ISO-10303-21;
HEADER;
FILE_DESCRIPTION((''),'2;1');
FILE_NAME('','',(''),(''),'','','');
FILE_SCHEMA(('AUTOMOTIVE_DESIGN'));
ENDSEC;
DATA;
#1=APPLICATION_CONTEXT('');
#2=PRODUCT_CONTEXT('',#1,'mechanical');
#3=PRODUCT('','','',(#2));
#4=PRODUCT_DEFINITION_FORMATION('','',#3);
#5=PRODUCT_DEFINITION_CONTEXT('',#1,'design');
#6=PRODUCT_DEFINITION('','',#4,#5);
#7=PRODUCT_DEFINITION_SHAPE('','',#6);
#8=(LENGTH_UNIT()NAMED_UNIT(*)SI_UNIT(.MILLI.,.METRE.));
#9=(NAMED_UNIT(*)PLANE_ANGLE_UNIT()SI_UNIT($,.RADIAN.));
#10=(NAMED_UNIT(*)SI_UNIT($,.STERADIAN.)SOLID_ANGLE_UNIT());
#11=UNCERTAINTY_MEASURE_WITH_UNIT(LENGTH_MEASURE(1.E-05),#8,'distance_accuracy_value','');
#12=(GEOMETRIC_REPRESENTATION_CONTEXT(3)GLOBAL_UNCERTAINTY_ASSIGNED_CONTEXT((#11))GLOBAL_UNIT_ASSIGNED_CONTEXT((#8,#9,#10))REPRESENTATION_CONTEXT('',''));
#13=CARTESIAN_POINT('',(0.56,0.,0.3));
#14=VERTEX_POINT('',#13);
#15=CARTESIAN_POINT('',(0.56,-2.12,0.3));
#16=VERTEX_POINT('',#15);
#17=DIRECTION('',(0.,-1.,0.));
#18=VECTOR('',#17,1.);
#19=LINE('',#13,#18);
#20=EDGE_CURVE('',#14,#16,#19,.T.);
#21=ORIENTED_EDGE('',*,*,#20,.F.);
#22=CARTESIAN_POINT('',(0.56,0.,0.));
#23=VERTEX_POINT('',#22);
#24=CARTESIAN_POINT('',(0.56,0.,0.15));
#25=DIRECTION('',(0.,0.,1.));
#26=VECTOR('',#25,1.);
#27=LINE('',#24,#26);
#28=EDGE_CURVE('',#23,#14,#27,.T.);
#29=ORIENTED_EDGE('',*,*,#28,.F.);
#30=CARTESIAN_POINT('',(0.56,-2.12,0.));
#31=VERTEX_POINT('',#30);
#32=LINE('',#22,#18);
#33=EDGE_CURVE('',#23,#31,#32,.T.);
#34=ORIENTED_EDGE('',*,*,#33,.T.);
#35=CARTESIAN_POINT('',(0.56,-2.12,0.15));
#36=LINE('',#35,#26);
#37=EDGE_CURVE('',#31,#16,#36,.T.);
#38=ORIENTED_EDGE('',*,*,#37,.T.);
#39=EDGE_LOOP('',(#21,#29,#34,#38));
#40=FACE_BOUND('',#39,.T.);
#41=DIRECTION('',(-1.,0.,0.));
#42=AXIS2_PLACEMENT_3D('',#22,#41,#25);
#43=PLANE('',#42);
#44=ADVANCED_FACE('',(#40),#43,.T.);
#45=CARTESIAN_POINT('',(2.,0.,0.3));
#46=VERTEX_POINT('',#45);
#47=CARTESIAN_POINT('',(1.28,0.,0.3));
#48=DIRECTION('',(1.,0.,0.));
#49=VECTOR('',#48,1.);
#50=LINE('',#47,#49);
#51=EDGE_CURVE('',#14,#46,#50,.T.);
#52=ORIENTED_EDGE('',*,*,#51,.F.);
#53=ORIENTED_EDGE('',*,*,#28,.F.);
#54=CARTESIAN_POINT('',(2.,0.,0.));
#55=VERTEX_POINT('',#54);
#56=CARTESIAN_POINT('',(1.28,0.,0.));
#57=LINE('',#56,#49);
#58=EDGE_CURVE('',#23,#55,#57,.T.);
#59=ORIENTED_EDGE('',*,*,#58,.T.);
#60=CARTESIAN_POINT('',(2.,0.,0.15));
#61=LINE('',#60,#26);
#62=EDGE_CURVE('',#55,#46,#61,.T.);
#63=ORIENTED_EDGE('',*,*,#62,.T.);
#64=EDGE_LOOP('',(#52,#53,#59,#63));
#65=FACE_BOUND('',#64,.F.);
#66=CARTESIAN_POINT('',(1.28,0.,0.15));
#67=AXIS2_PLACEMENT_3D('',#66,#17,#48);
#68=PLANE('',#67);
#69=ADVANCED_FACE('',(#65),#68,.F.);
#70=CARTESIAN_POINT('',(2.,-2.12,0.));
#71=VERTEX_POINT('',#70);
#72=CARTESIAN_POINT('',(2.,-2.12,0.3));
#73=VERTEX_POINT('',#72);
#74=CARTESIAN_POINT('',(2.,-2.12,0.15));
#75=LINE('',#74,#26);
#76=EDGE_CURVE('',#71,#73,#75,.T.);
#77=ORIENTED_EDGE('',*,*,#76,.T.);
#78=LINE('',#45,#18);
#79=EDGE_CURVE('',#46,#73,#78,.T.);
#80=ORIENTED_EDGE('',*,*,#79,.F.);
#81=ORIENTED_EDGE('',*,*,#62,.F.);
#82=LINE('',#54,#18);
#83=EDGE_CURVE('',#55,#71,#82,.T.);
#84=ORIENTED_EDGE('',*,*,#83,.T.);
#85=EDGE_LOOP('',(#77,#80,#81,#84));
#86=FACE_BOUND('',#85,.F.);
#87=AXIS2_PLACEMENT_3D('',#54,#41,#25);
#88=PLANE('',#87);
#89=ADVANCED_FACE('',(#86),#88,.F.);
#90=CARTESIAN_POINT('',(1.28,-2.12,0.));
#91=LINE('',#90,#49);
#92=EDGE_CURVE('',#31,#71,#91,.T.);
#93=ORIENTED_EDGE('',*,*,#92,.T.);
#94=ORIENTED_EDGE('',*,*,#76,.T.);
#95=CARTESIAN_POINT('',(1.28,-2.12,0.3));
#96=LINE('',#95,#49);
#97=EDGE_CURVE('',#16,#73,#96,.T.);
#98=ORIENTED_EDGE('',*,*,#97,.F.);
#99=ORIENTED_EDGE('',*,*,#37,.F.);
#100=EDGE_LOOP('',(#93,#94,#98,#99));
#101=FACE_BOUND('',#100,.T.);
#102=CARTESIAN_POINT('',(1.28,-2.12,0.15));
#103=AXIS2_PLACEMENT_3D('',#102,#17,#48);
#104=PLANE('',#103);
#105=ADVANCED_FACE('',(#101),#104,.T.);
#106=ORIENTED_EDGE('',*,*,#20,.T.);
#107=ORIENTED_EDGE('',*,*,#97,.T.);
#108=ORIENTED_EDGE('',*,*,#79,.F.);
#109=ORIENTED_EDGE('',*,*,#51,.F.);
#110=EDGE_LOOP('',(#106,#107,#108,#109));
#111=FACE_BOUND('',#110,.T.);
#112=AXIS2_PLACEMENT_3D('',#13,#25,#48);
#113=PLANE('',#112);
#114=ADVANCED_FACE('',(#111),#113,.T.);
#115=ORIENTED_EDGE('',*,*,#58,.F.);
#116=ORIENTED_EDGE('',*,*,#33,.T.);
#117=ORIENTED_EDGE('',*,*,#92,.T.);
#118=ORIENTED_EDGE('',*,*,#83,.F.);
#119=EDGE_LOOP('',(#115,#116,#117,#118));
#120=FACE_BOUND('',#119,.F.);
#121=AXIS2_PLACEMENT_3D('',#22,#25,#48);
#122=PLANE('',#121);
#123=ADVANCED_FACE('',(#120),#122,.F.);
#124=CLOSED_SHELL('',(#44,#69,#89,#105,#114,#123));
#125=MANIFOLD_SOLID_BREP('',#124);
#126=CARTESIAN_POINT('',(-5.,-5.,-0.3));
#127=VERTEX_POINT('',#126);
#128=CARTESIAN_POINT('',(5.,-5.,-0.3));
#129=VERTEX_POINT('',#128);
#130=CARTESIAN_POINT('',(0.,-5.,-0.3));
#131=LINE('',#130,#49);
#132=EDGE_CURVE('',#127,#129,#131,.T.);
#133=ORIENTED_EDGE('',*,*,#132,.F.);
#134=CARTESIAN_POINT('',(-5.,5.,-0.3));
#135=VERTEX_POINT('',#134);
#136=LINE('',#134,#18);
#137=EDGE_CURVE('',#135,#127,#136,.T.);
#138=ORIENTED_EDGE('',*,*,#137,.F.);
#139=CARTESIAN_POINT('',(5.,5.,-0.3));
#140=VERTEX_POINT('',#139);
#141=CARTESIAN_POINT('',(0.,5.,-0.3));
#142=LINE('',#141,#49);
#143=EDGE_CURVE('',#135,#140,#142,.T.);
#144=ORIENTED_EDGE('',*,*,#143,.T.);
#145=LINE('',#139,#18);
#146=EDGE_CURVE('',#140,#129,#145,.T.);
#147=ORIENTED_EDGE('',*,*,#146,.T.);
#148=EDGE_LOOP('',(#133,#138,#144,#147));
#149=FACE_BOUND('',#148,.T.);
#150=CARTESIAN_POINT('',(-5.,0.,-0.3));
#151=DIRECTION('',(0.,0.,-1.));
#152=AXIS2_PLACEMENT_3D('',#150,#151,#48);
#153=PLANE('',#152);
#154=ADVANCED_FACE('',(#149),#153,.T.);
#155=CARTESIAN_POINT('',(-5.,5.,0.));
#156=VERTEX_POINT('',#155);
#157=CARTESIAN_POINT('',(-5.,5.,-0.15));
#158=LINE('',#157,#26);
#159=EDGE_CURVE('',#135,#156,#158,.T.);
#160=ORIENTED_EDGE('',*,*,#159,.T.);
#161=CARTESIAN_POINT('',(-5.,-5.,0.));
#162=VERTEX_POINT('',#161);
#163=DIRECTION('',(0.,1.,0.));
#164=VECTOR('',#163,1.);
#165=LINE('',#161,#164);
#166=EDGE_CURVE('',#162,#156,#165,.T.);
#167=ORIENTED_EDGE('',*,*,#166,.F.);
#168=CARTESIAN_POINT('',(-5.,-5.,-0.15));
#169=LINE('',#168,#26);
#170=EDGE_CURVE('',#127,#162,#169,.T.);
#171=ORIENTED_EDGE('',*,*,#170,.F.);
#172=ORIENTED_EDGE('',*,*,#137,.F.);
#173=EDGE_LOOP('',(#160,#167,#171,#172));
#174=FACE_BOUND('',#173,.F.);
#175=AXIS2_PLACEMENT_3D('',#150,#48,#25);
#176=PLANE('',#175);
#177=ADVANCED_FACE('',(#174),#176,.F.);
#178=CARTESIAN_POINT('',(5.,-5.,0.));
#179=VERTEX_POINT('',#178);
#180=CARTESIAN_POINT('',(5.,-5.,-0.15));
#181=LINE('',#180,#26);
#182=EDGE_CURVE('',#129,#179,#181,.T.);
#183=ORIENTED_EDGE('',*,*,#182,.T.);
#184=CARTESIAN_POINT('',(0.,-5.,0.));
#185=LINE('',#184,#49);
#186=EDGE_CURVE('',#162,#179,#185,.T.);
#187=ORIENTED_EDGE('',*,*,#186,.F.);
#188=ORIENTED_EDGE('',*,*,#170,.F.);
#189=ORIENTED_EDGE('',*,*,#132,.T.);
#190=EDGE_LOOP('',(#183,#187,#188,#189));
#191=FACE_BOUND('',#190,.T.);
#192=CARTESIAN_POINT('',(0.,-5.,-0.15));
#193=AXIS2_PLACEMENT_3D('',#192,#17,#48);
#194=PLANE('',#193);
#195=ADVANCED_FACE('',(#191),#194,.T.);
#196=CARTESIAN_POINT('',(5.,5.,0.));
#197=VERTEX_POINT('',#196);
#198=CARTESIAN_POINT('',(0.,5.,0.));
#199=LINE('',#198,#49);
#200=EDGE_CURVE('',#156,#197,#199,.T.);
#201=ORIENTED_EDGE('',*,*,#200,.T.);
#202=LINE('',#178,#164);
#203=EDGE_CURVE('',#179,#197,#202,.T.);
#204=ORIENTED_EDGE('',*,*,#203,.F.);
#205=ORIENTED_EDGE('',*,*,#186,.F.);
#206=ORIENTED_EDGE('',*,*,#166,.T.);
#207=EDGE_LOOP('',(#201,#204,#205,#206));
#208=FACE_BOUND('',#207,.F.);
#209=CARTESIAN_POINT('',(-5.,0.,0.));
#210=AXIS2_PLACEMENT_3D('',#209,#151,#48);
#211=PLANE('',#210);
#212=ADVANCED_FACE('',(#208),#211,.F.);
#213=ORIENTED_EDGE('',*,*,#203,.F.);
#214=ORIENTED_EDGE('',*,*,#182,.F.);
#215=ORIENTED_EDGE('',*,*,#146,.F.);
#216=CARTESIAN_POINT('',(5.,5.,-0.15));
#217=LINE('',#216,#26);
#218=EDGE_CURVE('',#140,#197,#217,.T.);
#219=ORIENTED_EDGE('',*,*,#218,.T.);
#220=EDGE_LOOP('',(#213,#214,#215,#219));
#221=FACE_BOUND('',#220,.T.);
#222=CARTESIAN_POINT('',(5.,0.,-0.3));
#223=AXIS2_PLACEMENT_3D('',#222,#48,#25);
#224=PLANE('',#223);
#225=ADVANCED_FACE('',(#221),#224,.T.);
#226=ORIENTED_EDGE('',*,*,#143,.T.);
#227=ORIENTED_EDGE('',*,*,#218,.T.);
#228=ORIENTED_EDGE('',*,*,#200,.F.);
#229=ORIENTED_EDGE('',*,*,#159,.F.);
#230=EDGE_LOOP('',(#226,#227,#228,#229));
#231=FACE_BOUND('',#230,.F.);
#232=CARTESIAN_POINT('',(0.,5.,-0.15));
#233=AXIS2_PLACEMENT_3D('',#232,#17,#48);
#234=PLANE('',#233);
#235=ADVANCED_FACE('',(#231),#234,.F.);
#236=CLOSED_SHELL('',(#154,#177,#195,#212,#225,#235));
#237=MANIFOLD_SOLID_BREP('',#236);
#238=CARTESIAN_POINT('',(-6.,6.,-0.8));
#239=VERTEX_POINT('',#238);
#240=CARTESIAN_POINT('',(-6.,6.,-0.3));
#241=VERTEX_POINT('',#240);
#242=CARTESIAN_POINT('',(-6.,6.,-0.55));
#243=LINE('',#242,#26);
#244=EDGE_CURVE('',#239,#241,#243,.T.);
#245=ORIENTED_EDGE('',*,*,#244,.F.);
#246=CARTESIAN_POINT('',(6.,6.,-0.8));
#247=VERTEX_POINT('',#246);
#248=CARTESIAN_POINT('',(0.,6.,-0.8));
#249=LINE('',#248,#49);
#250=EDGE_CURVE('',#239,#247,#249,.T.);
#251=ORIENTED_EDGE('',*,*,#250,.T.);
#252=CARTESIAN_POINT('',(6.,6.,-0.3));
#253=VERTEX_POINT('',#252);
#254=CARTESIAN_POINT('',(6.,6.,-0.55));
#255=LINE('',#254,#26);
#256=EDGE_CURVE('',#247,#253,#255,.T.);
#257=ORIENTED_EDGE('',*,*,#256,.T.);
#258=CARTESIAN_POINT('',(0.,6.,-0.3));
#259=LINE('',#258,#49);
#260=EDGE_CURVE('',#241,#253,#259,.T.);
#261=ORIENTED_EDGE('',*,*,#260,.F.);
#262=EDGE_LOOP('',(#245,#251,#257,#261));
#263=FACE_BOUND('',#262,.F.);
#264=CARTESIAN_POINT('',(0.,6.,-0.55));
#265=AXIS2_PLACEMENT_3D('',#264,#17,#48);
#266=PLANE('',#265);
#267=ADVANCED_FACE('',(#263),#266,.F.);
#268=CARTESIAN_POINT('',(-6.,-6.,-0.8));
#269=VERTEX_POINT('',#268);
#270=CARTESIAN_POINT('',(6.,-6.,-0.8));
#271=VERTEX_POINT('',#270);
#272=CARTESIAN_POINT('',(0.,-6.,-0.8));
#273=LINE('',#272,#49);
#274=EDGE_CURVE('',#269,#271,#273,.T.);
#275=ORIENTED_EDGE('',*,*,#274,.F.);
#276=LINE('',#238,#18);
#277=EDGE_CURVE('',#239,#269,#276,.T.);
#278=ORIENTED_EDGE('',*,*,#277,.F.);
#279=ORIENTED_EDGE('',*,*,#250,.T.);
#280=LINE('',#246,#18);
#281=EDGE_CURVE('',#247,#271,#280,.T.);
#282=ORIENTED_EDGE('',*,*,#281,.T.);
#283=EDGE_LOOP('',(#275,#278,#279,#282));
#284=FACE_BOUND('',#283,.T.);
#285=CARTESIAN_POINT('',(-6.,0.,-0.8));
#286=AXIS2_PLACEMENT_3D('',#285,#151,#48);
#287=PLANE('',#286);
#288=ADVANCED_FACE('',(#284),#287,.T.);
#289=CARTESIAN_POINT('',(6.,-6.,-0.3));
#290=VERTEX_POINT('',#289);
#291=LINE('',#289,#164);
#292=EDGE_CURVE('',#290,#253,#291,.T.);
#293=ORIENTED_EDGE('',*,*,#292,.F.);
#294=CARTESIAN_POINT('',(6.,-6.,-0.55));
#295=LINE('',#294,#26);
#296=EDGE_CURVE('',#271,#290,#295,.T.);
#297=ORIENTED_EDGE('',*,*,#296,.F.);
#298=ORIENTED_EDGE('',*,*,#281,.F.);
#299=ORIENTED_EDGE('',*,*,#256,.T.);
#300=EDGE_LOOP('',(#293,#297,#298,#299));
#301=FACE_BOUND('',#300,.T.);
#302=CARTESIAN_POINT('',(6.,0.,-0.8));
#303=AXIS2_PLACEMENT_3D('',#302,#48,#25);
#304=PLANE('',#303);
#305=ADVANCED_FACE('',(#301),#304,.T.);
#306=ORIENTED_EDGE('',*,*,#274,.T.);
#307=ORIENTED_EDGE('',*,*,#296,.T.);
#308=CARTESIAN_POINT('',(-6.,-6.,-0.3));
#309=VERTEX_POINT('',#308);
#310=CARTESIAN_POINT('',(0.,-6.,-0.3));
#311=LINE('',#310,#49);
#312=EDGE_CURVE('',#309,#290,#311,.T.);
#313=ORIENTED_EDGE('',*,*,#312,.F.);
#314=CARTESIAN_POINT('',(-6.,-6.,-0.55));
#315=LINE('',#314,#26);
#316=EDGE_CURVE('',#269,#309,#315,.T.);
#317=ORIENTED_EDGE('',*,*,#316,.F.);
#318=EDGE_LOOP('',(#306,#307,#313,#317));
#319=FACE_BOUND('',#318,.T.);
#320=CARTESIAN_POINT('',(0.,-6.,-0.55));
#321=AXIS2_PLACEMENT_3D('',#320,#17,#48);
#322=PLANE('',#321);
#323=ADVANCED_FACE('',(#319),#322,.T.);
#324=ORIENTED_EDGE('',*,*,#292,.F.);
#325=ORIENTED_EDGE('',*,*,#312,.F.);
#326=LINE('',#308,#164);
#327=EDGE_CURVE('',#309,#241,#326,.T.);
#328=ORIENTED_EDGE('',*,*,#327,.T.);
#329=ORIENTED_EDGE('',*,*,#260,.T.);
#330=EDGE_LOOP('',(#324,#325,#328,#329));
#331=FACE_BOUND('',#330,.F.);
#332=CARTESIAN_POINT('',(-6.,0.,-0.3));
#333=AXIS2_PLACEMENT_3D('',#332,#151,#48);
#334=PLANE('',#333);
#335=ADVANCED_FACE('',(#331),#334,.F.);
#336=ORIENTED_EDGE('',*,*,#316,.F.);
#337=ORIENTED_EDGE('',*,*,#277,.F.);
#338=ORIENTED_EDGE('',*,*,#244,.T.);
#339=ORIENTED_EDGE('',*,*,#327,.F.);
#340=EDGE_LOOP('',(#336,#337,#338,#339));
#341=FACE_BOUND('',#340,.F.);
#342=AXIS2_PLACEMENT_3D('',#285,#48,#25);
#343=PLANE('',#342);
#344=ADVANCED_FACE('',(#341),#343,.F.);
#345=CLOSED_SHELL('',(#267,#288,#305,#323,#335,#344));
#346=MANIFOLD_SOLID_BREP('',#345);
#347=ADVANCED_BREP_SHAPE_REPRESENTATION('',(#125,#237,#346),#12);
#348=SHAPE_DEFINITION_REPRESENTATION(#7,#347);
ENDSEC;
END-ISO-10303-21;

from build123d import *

# Parameters (mm, degrees)
F0_W     = 10
F0_H     = 0.3
F1_DEPTH = 5
F2_W     = 1.44
F2_H     = 0.3
F3_DEPTH = 2.12
F4_W     = 12
F4_H     = 0.5
F5_DEPTH = 6


with BuildPart() as f1:
    # F0 (on Front) → F1 (new body, symmetric)
    with BuildSketch(Plane.XZ):
        with Locations((0, -0.15)):
            Rectangle(F0_W, F0_H)
    extrude(amount=F1_DEPTH, both=True)


with BuildPart() as f3:
    # F2 (on Front) → F3 (new body)
    with BuildSketch(Plane.XZ):
        with Locations((1.28, 0.15)):
            Rectangle(F2_W, F2_H)
    extrude(amount=F3_DEPTH)


with BuildPart() as f5:
    # F4 (on Front) → F5 (new body, symmetric)
    with BuildSketch(Plane.XZ):
        with Locations((0, -0.55)):
            Rectangle(F4_W, F4_H)
    extrude(amount=F5_DEPTH, both=True)


solid = Compound([f1.part, f3.part, f5.part])
